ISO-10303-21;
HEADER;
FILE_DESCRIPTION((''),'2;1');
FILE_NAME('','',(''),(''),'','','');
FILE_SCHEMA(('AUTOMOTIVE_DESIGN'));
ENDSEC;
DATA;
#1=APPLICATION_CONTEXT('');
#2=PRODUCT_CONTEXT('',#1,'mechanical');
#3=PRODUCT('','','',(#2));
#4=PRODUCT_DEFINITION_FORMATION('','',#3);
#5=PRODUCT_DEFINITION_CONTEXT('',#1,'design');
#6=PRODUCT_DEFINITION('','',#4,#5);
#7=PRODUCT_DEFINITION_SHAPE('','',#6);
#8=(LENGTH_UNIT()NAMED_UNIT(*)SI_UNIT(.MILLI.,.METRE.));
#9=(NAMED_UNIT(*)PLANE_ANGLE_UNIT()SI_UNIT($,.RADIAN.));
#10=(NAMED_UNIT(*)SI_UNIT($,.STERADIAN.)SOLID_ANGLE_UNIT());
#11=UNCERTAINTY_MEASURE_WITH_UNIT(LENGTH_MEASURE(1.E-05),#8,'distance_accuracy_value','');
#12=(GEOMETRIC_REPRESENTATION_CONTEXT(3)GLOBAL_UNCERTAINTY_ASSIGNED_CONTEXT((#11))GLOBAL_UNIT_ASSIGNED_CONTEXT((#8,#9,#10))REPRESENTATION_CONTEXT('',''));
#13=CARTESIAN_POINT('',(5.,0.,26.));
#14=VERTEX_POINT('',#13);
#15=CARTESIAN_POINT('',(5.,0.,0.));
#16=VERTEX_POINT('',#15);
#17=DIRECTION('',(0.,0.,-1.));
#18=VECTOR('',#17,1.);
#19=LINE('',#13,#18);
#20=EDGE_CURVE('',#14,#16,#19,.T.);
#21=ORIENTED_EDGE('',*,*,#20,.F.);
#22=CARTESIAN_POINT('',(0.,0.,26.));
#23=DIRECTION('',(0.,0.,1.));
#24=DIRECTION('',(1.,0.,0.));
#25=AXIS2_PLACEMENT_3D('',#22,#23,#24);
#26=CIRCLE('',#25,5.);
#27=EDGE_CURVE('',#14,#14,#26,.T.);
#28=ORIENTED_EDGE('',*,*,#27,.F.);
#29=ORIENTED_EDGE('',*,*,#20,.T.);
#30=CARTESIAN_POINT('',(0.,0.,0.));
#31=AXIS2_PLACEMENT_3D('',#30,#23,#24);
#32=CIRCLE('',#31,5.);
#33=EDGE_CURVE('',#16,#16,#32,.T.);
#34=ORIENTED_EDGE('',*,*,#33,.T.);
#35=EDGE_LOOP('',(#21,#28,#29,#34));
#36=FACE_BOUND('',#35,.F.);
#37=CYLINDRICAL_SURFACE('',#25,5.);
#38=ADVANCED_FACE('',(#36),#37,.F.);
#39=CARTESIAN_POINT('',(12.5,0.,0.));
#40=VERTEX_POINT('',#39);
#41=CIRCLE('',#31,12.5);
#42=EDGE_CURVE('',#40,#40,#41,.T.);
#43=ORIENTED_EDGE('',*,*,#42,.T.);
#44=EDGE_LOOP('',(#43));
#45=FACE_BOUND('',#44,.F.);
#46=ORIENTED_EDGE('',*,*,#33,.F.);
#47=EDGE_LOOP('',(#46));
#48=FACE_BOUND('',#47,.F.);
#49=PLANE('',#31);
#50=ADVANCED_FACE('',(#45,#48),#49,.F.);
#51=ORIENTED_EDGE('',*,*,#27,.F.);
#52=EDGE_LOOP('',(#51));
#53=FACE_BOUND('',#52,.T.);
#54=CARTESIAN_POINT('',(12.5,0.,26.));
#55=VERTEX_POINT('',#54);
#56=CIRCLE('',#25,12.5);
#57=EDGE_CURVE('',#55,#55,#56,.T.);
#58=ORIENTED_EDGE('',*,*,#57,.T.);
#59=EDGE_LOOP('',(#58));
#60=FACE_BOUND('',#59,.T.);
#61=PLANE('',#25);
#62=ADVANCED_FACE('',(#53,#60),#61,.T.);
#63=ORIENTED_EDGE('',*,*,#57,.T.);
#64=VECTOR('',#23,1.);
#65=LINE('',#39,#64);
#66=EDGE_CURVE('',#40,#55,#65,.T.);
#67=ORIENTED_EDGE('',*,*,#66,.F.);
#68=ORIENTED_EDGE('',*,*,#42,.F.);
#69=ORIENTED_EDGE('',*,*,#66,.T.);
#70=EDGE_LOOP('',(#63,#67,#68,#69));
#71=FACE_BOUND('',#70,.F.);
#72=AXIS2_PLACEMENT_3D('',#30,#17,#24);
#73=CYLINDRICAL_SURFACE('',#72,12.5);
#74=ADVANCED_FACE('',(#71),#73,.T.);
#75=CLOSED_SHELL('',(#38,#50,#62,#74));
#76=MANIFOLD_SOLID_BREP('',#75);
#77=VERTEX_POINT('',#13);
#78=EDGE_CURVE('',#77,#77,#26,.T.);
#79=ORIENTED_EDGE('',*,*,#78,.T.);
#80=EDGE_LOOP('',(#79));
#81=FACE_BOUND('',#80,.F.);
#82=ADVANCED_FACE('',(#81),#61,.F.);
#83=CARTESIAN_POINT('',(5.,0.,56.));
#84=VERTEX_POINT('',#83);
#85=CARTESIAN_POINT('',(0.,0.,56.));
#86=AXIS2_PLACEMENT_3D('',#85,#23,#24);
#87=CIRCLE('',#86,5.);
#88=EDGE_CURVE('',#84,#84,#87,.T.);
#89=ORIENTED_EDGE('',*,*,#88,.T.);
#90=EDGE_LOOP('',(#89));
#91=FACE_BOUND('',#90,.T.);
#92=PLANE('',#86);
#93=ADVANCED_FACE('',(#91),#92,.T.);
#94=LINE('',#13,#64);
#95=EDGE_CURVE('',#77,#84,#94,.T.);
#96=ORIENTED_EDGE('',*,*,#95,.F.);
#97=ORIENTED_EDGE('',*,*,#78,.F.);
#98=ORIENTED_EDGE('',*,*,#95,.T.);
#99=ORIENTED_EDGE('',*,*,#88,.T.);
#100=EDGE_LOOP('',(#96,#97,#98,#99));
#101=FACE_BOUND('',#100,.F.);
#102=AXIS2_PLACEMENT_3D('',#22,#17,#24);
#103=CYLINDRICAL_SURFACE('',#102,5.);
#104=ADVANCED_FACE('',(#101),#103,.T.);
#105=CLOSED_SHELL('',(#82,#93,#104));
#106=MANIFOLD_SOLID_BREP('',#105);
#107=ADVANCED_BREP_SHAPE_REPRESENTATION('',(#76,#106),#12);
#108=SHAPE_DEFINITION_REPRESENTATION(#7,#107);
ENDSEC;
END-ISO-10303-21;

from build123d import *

# Parameters (mm, degrees)
F0_R     = 12.5
F1_DEPTH = 26
F2_R     = 5
F3_DEPTH = 26
F4_R     = 5
F5_DEPTH = 30


with BuildPart() as f1:
    # F0 (on Top) → F1 (new body)
    with BuildSketch(Plane.XY):
        Circle(F0_R)
    extrude(amount=F1_DEPTH)

    # F2 (on face) → F3 (cut)
    with BuildSketch(Plane.XY.offset(26)):
        Circle(F2_R)
    extrude(amount=-F3_DEPTH, mode=Mode.SUBTRACT)


with BuildPart() as f5:
    # F4 (on face) → F5 (new body)
    with BuildSketch(Plane.XY.offset(26)):
        Circle(F4_R)
    extrude(amount=F5_DEPTH)


solid = Compound([f1.part, f5.part])
